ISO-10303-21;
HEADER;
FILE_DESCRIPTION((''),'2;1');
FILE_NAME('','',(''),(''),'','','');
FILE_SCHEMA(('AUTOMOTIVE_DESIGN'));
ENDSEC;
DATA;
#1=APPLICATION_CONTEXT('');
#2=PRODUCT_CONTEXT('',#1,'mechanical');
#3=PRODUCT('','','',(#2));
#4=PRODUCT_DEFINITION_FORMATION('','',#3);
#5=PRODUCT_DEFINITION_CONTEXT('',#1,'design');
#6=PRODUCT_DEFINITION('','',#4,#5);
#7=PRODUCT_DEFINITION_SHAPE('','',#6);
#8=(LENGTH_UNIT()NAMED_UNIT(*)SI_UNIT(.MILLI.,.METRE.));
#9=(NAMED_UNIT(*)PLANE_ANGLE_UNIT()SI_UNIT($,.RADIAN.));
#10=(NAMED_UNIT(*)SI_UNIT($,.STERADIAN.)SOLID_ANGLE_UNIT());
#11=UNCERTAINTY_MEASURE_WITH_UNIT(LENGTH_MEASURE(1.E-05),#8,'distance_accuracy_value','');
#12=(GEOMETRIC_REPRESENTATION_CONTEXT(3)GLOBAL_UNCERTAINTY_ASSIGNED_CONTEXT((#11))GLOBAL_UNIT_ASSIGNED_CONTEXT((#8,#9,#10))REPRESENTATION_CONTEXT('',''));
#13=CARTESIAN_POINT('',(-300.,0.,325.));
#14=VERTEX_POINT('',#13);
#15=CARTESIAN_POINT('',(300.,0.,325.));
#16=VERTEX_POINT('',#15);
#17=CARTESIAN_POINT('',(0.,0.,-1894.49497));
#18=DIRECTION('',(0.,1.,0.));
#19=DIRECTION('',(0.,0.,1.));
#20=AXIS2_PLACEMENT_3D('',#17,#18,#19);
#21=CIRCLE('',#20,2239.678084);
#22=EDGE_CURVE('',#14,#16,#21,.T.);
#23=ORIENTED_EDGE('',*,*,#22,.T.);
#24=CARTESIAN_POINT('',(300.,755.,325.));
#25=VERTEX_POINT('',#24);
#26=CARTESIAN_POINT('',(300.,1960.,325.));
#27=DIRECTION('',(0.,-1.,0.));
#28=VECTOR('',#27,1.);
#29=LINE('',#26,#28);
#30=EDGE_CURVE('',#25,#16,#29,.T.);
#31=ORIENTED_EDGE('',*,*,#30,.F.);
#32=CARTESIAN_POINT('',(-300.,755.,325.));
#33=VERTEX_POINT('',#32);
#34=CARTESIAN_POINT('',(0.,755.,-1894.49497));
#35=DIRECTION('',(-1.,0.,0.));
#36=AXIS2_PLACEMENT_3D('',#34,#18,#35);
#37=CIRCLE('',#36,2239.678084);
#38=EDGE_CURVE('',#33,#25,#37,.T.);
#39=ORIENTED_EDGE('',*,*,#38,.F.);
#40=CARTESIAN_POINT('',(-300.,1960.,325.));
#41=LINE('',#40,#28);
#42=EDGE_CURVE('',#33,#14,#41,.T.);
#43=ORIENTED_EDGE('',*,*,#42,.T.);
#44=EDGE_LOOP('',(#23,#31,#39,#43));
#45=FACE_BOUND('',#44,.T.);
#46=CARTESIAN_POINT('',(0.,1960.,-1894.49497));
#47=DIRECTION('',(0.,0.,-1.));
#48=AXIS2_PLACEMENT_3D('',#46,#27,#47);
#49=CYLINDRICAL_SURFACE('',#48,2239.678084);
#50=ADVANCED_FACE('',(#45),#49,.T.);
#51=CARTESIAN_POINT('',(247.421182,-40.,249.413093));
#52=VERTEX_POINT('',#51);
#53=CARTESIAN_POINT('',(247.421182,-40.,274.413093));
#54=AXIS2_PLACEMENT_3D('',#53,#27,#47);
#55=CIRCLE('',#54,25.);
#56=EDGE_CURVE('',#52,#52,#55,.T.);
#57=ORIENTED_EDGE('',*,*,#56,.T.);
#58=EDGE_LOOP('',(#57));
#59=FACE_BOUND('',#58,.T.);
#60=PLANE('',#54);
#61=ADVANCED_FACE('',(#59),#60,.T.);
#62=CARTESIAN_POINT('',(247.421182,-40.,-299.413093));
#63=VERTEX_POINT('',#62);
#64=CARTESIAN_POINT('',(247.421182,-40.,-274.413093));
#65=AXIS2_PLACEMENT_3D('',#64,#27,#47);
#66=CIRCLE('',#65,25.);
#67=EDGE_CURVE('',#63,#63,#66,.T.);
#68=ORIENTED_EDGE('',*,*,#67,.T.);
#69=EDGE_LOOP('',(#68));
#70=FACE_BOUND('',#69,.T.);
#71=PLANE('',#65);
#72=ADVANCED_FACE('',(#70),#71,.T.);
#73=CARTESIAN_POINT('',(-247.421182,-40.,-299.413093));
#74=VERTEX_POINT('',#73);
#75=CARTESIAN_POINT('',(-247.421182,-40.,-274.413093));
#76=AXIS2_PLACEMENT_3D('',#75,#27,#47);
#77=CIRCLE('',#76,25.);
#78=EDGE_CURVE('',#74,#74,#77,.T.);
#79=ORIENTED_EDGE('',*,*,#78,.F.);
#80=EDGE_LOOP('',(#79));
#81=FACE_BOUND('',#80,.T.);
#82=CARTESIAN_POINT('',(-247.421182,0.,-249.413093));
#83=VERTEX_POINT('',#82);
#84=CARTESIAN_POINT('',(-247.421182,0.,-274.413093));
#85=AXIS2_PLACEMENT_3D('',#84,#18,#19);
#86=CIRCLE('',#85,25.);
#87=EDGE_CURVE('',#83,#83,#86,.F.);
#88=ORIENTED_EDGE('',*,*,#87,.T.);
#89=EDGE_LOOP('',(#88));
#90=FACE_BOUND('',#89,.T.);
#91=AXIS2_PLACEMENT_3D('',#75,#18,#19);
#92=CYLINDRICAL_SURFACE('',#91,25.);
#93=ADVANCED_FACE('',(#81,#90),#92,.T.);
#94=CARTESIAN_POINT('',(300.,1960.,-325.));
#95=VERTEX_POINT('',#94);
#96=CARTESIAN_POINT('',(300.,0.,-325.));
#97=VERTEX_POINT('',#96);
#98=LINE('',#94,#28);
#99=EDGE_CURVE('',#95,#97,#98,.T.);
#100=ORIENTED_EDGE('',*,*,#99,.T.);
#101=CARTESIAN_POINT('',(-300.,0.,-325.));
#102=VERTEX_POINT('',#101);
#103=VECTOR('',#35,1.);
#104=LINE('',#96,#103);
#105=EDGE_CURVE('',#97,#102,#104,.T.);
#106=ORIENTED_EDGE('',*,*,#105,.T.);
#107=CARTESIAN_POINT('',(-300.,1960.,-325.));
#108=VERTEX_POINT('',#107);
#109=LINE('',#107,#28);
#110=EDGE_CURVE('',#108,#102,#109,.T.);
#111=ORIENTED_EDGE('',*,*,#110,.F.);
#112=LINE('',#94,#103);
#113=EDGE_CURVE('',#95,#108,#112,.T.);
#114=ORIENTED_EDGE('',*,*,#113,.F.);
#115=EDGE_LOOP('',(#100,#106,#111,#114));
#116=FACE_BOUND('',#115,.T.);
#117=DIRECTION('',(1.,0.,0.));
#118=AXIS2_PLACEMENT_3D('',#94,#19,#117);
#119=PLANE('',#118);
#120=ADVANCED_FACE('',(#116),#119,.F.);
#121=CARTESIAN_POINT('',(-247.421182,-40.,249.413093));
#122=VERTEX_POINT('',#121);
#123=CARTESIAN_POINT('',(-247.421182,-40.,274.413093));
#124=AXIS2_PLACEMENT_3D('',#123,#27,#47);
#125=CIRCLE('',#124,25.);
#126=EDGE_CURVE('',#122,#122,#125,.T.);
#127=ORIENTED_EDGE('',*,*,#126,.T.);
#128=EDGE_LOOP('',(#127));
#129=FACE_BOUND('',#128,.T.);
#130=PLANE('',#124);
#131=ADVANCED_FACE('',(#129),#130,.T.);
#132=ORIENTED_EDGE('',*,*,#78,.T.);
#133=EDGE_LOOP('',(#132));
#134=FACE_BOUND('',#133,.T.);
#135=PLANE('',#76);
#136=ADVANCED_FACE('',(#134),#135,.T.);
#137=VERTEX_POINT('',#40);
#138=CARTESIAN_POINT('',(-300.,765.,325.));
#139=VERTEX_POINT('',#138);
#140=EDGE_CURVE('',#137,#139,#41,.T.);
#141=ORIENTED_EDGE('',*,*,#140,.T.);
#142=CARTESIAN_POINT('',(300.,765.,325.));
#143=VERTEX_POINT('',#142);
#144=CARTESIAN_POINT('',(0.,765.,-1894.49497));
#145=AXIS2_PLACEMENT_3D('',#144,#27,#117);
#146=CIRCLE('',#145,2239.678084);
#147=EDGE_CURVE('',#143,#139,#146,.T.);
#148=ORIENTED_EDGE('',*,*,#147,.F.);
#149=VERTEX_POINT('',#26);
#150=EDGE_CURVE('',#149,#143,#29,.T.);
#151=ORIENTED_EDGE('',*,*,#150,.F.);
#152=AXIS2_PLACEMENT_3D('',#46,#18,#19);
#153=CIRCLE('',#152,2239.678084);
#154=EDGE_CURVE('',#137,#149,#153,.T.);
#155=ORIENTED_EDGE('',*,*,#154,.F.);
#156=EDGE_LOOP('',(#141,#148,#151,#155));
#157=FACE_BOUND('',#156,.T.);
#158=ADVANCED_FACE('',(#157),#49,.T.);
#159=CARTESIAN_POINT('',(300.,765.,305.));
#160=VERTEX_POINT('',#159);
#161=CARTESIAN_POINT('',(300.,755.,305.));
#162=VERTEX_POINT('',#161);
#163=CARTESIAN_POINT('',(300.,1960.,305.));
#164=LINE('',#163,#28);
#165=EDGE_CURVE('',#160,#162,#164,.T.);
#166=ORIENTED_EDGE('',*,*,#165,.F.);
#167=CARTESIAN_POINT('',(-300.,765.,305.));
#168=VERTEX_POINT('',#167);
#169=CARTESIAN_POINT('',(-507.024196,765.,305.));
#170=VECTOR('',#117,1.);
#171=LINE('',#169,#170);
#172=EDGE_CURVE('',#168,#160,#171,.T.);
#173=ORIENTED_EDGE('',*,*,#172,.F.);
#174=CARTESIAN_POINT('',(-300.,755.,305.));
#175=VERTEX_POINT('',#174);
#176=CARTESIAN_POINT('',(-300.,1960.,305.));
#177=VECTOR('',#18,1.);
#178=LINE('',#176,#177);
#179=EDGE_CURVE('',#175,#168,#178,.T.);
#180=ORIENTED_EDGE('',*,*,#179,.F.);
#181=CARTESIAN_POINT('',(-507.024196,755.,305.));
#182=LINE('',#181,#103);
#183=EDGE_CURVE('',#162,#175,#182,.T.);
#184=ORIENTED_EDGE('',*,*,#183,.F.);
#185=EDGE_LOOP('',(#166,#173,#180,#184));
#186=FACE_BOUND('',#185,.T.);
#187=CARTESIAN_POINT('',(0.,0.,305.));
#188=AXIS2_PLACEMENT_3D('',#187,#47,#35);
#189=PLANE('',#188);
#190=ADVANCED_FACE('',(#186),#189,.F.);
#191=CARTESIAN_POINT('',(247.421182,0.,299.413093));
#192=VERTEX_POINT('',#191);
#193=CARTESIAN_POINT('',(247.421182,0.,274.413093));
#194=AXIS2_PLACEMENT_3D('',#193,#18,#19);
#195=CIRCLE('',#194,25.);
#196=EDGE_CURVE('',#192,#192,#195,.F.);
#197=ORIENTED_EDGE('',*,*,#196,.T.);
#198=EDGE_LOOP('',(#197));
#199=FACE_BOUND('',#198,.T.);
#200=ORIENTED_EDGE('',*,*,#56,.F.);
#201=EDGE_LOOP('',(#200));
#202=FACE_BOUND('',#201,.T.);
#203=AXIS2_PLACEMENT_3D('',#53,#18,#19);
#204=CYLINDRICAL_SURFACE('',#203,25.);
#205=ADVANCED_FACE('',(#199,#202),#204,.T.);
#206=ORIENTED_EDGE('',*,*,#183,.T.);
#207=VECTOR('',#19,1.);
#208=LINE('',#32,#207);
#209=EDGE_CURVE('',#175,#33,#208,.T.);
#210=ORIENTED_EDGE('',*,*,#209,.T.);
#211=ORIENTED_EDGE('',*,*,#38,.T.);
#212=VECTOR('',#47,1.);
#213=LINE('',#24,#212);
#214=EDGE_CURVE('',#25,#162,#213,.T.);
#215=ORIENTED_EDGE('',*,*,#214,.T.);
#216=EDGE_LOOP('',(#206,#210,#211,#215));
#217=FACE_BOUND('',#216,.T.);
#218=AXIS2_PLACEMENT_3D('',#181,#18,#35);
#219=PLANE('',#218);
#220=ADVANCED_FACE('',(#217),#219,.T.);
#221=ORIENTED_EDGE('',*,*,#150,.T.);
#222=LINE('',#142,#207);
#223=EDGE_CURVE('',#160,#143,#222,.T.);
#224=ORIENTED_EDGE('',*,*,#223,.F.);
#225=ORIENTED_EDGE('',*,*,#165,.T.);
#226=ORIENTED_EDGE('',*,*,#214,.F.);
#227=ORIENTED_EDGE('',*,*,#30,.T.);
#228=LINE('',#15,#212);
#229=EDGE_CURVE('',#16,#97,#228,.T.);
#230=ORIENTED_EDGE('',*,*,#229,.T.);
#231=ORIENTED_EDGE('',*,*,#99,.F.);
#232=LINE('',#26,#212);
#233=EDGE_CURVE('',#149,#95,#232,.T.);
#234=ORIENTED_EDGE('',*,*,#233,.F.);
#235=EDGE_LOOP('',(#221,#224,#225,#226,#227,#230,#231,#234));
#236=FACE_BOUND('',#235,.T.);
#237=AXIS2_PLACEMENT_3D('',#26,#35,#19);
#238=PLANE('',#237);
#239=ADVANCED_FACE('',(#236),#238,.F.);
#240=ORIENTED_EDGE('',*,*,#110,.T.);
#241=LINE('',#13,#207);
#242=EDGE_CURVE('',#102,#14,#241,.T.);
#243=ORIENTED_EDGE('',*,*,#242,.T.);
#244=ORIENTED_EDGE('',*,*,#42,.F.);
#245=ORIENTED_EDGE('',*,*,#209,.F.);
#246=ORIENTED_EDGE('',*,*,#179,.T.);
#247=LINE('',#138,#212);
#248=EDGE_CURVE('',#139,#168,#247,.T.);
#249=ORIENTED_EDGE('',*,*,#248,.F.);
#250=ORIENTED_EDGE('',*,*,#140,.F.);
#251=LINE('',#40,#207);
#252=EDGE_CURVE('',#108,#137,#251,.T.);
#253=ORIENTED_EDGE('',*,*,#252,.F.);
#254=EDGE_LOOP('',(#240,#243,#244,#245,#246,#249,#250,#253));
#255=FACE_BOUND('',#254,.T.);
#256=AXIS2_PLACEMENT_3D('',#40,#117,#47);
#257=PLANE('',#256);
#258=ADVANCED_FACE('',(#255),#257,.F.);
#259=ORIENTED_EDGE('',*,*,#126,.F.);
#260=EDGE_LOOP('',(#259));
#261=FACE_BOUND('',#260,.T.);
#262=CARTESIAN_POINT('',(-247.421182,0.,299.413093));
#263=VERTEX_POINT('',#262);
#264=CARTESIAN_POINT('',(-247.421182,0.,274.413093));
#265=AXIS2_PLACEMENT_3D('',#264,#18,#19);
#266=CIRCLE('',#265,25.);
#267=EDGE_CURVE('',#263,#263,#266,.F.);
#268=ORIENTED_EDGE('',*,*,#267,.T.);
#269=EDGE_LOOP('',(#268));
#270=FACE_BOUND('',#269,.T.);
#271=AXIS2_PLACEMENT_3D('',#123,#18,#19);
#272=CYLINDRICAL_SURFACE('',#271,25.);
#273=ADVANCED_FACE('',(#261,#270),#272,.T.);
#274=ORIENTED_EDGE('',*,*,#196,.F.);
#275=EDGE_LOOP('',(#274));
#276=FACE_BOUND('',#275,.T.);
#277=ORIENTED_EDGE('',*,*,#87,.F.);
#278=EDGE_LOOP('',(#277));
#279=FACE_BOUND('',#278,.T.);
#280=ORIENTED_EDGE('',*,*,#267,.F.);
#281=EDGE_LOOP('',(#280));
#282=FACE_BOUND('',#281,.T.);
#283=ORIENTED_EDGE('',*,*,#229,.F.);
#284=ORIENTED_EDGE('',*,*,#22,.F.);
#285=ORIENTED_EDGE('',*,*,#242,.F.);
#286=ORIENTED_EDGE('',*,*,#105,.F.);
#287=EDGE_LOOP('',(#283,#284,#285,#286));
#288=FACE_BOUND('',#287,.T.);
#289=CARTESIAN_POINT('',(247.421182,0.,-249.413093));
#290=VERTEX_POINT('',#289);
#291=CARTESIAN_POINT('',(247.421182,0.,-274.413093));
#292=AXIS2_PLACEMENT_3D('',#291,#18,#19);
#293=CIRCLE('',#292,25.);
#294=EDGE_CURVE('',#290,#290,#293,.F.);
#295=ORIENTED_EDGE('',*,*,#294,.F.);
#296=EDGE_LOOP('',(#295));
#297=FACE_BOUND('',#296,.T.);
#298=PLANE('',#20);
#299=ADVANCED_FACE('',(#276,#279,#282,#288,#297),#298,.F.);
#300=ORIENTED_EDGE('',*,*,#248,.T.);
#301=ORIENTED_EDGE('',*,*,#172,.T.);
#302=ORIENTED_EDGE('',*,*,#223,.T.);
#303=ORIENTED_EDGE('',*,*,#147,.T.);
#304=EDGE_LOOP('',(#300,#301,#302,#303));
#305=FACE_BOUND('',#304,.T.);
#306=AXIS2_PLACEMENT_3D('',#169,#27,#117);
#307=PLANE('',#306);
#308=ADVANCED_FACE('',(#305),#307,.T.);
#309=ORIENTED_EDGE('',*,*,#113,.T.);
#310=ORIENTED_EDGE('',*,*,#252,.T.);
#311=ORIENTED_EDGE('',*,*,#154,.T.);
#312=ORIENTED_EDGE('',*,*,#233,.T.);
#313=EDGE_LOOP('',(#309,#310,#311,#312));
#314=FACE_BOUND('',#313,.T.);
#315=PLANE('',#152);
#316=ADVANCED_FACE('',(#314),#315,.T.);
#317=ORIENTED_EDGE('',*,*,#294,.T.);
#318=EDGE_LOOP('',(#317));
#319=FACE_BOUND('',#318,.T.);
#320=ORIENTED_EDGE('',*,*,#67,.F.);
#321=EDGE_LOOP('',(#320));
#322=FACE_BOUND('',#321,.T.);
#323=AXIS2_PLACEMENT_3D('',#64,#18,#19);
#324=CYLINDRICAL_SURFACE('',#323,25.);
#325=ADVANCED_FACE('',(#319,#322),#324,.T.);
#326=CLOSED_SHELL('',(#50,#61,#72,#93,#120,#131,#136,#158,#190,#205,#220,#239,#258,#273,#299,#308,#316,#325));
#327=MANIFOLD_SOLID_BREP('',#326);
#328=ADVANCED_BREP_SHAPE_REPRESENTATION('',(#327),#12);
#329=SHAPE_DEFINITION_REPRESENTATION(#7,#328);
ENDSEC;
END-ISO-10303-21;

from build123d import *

# Parameters (mm, degrees)
BOSS_EXTRUDE1_DEPTH = 1960
SKETCH2_R           = 25
BOSS_EXTRUDE2_DEPTH = 40
SKETCH3_W           = 1014.048392478
SKETCH3_H           = 10
CUT_EXTRUDE1_DEPTH  = 170


with BuildPart() as part:
    # Sketch1 → Boss-Extrude1 (new body)
    with BuildSketch(Plane(origin=(0, 0, 0), x_dir=(1, 0, 0), z_dir=(0, 1, 0))):
        with BuildLine():
            Line((300, -325), (300, 325))
            Line((300, 325), (-300, 325))
            Line((-300, 325), (-300, -325))
            ThreePointArc((-300, -325), (0, -345.183114428), (300, -325))
        make_face()
    extrude(amount=BOSS_EXTRUDE1_DEPTH)

    # Sketch2 → Boss-Extrude2 (add)
    with BuildSketch(Plane.XZ):
        with Locations((-247.421181531, 274.413092674)):
            Circle(SKETCH2_R)
        with Locations((247.421181531, 274.413092674)):
            Circle(SKETCH2_R)
        with Locations((247.421181531, -274.413092674)):
            Circle(SKETCH2_R)
        with Locations((-247.421181531, -274.413092674)):
            Circle(SKETCH2_R)
    extrude(amount=BOSS_EXTRUDE2_DEPTH)

    # Sketch3 → Cut-Extrude1 (cut)
    with BuildSketch(Plane(origin=(0, 0, 475), x_dir=(-1, 0, 0), z_dir=(0, 0, -1))):
        with Locations((0, 760)):
            Rectangle(SKETCH3_W, SKETCH3_H)
    extrude(amount=CUT_EXTRUDE1_DEPTH, mode=Mode.SUBTRACT)


solid = part.part
